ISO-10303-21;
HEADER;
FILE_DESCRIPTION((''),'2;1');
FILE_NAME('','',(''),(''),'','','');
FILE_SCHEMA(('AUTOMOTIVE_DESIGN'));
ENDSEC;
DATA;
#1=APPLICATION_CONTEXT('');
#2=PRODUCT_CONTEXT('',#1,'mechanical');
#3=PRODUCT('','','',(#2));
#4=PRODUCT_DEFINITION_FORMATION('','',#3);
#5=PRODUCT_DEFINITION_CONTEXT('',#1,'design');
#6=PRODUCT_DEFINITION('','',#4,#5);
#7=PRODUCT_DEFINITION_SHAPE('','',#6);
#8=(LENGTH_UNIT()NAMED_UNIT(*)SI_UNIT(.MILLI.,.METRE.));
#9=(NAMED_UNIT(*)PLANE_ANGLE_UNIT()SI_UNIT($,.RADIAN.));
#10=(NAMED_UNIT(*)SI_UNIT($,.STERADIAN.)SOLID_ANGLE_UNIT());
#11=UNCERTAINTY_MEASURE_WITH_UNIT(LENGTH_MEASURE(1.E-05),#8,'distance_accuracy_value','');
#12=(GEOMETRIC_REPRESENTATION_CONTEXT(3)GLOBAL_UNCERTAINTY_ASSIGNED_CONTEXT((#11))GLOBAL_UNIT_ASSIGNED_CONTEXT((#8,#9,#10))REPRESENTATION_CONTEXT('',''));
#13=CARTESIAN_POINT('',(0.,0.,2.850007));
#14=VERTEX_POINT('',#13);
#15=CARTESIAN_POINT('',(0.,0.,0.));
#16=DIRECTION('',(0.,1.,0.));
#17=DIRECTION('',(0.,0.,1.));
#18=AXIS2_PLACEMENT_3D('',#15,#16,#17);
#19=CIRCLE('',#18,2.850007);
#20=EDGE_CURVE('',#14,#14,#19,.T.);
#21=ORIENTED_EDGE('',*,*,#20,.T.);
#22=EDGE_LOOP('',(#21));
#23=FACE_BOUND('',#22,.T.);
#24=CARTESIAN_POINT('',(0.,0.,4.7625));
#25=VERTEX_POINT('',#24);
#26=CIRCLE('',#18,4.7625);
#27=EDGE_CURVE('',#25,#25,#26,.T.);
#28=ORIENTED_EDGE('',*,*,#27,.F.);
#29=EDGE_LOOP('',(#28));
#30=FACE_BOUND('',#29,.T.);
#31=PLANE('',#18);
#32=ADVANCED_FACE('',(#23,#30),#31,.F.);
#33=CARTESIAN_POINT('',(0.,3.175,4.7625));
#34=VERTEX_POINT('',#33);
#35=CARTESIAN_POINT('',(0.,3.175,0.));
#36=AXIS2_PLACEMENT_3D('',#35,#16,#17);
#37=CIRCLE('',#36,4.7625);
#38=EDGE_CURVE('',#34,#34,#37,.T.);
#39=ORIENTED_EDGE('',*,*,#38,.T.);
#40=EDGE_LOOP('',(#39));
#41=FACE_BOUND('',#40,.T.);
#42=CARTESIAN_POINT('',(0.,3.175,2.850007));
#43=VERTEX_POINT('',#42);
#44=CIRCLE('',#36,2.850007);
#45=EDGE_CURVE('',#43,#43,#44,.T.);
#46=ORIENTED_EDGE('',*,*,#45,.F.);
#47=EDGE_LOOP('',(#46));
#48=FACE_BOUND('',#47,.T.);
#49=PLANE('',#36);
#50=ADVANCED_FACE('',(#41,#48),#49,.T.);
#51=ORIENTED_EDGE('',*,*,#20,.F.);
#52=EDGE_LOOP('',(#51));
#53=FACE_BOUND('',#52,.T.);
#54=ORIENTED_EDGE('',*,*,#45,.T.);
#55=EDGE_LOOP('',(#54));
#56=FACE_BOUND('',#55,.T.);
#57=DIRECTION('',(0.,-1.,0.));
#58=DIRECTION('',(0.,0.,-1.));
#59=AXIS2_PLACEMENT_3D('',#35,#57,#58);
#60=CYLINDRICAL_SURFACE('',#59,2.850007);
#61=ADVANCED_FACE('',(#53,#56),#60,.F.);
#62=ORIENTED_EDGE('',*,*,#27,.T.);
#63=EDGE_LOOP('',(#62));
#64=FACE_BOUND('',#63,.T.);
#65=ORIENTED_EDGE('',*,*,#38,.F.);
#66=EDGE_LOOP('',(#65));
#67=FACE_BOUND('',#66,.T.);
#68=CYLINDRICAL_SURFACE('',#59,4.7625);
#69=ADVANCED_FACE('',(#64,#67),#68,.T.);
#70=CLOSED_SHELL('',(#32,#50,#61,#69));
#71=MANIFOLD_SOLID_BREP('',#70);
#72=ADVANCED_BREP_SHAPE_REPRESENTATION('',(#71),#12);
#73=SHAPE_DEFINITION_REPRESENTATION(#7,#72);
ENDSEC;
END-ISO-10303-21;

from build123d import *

# Parameters (mm, degrees)
SKETCH1_R      = 4.7625
SKETCH1_R_2    = 2.850007
EXTRUDE1_DEPTH = 3.175


with BuildPart() as part:
    # Sketch1 → Extrude1 (new body)
    with BuildSketch(Plane(origin=(0, 0, 0), x_dir=(1, 0, 0), z_dir=(0, 1, 0))):
        with Locations(Location((0, 0, 0), (0, 0, 270))):  # turned: the seam where the file's is
            Circle(SKETCH1_R)
        with Locations(Location((0, 0, 0), (0, 0, 270))):  # turned: the seam where the file's is
            Circle(SKETCH1_R_2, mode=Mode.SUBTRACT)
    extrude(amount=EXTRUDE1_DEPTH)


solid = part.part
